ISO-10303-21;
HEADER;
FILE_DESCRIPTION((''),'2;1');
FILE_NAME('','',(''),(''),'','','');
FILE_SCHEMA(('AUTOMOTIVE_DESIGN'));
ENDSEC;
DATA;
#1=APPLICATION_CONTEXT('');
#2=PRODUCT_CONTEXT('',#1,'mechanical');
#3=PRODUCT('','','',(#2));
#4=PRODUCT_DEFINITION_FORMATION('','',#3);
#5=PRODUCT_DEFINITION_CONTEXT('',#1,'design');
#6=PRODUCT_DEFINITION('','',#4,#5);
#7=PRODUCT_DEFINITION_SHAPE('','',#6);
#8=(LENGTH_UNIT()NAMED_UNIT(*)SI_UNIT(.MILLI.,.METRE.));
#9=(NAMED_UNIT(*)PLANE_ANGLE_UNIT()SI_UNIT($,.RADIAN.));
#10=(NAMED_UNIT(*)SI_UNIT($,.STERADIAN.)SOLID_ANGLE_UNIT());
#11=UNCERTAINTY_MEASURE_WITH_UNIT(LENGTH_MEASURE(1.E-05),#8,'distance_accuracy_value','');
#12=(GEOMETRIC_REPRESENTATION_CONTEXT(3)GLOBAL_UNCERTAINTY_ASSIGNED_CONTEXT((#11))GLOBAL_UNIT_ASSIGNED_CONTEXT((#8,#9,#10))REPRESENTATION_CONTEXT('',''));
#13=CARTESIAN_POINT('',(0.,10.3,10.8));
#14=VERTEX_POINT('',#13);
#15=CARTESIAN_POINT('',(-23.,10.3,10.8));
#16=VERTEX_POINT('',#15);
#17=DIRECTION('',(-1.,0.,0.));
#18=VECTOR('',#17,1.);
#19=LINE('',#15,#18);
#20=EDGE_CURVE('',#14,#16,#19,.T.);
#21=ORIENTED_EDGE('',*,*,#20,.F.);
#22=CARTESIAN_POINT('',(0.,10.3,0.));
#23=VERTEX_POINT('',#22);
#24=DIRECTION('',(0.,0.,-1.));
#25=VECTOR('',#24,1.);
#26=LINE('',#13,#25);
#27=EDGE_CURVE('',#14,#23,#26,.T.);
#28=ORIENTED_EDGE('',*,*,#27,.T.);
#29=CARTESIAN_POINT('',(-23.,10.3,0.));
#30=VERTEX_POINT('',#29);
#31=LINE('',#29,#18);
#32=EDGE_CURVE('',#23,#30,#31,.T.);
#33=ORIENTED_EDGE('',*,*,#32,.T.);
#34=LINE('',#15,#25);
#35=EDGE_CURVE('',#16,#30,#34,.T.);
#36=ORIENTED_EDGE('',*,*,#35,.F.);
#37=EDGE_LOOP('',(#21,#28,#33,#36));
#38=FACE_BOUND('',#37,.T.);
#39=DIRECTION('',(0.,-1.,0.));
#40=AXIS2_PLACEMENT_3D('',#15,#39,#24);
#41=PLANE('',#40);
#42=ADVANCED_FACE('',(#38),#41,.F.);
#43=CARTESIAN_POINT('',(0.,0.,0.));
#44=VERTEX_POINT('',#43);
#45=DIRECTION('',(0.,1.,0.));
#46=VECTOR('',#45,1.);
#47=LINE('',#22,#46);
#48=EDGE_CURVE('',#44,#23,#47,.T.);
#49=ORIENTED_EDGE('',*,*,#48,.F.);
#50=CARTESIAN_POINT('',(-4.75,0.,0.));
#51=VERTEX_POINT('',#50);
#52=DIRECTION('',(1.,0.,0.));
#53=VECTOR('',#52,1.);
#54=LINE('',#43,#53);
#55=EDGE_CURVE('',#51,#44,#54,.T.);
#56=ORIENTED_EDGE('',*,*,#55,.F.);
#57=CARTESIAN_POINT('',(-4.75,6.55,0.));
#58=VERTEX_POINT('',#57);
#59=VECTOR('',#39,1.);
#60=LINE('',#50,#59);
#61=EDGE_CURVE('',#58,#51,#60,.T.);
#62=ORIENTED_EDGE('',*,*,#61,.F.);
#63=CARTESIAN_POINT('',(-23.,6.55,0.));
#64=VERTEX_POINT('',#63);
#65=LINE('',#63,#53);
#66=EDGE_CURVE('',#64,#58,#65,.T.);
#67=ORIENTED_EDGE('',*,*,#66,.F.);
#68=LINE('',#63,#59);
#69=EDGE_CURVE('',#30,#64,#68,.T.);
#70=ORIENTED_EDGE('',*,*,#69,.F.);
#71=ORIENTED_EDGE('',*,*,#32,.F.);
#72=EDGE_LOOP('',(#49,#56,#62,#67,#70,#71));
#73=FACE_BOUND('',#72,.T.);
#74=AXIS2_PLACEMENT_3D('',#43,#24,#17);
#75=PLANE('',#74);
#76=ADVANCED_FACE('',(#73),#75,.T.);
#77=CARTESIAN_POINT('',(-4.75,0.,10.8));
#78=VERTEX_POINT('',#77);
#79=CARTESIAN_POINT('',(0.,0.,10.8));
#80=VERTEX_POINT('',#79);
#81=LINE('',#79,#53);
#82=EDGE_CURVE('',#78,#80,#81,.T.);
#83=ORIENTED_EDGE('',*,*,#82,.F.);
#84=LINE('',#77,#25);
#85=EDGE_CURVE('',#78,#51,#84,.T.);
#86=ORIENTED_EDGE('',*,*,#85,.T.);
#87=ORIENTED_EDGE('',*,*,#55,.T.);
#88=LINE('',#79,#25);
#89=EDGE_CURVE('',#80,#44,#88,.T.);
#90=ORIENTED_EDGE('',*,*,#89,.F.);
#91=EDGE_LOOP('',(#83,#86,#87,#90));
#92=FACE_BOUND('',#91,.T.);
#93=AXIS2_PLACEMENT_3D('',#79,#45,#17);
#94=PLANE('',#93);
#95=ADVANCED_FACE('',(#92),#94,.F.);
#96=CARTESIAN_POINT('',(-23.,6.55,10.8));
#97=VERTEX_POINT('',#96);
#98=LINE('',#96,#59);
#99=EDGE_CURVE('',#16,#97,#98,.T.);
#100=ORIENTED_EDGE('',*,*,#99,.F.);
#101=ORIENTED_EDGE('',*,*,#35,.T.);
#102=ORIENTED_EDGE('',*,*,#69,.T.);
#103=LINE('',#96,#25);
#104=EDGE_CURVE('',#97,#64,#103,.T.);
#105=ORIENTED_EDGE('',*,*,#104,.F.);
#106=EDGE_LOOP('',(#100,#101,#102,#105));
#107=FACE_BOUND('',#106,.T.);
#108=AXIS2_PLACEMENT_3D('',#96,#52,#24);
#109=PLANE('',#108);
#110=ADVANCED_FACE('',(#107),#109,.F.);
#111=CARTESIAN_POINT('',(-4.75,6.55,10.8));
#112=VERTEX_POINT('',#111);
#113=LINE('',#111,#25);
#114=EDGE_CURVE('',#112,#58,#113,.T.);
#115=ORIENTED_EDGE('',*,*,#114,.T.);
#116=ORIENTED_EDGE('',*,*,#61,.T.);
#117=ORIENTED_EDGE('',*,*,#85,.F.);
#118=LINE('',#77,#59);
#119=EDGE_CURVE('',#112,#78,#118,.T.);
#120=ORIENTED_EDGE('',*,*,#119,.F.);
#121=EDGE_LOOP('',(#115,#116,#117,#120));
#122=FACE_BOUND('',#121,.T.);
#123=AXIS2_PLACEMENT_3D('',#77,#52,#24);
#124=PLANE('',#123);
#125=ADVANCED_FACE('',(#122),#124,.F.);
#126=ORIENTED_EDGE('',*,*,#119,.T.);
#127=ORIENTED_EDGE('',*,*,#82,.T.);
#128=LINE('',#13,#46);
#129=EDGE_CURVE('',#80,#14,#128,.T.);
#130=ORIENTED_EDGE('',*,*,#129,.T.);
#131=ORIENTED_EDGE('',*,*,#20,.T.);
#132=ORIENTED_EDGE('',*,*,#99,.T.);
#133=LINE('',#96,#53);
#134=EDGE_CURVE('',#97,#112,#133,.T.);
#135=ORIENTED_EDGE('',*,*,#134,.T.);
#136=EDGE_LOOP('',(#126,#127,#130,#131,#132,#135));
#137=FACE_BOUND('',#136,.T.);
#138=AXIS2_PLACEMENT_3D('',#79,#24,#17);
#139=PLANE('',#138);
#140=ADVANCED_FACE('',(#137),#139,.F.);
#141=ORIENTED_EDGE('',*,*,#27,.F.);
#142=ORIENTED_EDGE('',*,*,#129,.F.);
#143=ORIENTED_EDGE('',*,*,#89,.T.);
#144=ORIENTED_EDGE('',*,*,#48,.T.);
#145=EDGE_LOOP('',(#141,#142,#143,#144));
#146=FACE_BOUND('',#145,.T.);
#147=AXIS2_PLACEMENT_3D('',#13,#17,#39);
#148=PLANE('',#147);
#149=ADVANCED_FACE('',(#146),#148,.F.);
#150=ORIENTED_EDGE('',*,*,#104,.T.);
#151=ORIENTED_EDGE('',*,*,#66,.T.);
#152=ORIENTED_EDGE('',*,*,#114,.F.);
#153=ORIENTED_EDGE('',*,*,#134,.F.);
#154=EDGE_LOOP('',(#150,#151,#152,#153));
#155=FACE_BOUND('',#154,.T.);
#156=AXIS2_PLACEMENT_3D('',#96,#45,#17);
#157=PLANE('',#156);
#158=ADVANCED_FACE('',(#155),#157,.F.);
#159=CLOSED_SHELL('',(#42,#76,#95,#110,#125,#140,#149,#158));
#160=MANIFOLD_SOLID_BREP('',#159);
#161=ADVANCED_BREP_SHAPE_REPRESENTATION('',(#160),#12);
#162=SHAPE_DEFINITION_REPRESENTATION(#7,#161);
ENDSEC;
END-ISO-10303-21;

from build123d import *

# Parameters (mm, degrees)
BOSS_EXTRUDE1_DEPTH = 10.8


with BuildPart() as part:
    # Sketch1 → Boss-Extrude1 (new body)
    with BuildSketch(Plane.XY):
        Polygon((-23, 6.55), (-4.75, 6.55), (-4.75, 0), (0, 0), (0, 10.3), (-23, 10.3), align=None)
    extrude(amount=BOSS_EXTRUDE1_DEPTH)


solid = part.part
